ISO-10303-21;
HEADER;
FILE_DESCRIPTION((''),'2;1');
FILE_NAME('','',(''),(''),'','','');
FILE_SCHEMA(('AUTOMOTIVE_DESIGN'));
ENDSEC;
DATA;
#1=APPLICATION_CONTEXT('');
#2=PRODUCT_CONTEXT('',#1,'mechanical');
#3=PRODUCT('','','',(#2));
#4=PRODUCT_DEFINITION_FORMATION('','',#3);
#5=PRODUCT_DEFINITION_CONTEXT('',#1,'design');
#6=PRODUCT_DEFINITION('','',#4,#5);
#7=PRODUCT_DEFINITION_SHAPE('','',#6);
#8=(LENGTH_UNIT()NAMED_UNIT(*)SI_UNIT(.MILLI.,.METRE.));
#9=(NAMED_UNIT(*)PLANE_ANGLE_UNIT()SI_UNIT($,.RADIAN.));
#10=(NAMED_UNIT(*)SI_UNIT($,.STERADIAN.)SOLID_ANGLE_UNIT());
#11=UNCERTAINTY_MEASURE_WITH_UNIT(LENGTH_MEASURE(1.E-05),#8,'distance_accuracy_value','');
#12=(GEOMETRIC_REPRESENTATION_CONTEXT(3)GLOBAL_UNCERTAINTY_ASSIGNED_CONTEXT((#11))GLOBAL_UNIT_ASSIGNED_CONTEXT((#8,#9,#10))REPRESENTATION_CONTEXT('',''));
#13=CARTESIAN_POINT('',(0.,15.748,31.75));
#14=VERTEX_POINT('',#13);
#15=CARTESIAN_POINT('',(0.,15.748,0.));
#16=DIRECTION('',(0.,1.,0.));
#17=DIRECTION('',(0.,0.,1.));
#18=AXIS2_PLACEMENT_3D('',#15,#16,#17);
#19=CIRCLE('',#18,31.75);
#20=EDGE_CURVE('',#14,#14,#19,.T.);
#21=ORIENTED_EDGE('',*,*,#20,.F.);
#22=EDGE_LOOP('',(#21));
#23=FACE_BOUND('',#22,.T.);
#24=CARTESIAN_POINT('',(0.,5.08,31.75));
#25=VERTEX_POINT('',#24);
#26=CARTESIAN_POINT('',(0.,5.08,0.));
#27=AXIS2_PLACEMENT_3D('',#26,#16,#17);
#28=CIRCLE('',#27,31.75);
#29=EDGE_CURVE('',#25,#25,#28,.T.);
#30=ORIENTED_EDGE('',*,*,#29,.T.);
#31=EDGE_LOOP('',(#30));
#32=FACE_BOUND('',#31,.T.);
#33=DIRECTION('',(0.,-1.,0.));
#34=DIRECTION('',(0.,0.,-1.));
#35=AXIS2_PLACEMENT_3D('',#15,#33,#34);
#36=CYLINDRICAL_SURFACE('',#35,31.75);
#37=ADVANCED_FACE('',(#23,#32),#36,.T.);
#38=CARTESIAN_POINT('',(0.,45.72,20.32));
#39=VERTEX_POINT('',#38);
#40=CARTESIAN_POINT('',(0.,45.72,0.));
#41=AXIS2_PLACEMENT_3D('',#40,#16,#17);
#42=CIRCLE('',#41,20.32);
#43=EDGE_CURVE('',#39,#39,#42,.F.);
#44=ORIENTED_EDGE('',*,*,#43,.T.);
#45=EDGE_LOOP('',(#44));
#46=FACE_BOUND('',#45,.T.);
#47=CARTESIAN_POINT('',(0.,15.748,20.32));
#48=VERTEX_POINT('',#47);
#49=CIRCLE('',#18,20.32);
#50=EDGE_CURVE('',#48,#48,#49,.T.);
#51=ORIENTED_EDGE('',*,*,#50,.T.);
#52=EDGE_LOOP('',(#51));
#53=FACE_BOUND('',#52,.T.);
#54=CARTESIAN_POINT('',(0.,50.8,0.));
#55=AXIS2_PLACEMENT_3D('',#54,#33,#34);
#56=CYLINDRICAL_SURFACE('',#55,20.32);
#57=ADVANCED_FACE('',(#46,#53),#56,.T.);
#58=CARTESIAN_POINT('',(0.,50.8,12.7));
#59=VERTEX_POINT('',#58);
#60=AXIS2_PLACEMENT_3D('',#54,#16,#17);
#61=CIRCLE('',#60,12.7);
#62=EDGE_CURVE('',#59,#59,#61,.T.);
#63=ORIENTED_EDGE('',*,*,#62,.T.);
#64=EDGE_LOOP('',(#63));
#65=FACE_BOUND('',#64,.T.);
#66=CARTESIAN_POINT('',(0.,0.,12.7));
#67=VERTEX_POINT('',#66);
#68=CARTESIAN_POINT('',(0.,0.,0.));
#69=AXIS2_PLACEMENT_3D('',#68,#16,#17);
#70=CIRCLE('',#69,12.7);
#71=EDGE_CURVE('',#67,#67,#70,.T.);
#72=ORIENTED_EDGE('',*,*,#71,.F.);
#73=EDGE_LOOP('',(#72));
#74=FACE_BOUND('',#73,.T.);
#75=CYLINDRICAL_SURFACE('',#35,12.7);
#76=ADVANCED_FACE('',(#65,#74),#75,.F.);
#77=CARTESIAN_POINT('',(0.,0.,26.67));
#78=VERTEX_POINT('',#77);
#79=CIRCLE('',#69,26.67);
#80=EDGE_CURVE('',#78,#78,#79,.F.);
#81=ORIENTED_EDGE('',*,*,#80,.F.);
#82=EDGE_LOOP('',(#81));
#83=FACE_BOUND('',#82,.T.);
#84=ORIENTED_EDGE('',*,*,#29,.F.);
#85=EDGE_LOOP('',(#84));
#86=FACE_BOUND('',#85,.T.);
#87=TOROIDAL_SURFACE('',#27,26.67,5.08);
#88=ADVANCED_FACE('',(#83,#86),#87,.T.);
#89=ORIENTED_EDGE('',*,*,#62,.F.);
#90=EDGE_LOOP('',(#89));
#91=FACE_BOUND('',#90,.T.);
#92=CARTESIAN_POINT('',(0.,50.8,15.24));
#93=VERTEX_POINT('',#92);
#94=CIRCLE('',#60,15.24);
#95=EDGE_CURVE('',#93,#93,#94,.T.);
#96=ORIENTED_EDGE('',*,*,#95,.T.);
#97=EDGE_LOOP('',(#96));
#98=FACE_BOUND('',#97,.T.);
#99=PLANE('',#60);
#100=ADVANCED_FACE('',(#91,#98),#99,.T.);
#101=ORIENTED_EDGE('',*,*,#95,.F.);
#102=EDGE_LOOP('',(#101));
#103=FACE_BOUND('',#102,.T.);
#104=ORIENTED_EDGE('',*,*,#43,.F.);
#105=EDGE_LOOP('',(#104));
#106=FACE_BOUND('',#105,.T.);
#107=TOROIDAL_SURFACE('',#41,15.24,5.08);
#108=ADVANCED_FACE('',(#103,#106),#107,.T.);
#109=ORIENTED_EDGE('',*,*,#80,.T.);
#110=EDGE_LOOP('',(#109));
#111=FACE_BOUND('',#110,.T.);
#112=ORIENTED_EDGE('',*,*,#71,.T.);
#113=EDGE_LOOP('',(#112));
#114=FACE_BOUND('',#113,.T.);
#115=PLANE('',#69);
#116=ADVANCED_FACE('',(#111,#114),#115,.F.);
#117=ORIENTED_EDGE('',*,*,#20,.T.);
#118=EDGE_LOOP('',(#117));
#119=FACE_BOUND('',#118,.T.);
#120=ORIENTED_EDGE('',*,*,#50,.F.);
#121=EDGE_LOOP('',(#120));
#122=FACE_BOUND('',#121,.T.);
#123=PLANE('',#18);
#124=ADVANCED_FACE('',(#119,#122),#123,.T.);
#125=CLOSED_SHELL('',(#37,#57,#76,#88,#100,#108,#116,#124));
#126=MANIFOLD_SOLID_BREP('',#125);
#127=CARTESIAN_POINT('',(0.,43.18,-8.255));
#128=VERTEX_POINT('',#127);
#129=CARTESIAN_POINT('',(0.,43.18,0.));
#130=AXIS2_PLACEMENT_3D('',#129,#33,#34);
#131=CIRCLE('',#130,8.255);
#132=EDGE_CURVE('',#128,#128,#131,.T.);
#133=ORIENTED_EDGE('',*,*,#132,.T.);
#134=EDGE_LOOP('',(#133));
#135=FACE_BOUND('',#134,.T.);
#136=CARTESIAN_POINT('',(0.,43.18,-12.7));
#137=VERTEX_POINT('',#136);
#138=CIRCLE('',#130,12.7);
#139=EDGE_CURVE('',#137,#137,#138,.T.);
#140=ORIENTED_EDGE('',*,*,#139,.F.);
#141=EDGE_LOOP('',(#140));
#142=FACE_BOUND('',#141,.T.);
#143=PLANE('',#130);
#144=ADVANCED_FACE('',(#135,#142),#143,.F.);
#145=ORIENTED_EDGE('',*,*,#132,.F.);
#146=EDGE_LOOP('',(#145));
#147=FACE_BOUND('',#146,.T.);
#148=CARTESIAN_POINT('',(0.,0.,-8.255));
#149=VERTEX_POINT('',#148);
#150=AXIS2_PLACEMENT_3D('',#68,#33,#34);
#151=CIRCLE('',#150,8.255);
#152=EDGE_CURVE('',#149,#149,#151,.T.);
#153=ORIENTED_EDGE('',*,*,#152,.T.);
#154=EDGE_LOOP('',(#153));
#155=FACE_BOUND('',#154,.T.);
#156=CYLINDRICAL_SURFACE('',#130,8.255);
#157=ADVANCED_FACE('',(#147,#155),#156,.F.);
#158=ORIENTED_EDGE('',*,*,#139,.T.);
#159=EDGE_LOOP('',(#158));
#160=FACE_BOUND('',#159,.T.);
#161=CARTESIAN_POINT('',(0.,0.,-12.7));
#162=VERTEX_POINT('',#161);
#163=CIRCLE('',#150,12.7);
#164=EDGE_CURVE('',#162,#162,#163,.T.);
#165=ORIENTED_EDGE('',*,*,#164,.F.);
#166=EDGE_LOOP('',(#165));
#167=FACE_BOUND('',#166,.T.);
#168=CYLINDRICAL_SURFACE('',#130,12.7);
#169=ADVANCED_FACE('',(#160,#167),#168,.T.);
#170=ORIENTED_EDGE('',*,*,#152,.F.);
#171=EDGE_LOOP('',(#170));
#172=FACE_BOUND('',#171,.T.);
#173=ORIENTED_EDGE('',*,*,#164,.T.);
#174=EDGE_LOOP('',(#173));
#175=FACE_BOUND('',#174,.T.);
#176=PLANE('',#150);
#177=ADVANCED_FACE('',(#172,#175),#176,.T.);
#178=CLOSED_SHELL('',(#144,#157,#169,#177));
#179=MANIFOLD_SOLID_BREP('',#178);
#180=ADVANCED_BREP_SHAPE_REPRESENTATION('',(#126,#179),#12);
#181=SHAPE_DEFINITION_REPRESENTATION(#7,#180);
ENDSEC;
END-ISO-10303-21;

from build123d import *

# Parameters (mm, degrees)
SKETCH1_R           = 31.75
SKETCH1_R_2         = 12.7
BOSS_EXTRUDE1_DEPTH = 15.748
SKETCH2_R           = 20.32
SKETCH2_R_2         = 12.7
BOSS_EXTRUDE2_DEPTH = 35.052
SKETCH3_R           = 12.7
SKETCH3_R_2         = 8.255
BOSS_EXTRUDE3_DEPTH = 43.18
FILLET1_R           = 5.08
FILLET2_R           = 5.08


with BuildPart() as part:
    # Sketch1 → Boss-Extrude1 (new body)
    with BuildSketch(Plane(origin=(0, 0, 0), x_dir=(1, 0, 0), z_dir=(0, 1, 0))):
        Circle(SKETCH1_R)
        Circle(SKETCH1_R_2, mode=Mode.SUBTRACT)
    extrude(amount=BOSS_EXTRUDE1_DEPTH)

    # Sketch2 → Boss-Extrude2 (add)
    with BuildSketch(Plane(origin=(0, 15.748, 0), x_dir=(1, 0, 0), z_dir=(0, 1, 0))):
        Circle(SKETCH2_R)
        Circle(SKETCH2_R_2, mode=Mode.SUBTRACT)
    extrude(amount=BOSS_EXTRUDE2_DEPTH)

    # Fillet1
    fillet1_edges = [part.edges().sort_by_distance(p)[0] for p in [
        (-31.75, 0, 0),
    ]]
    fillet(fillet1_edges, radius=FILLET1_R)

    # Fillet2
    fillet2_edges = [part.edges().sort_by_distance(p)[0] for p in [
        (-20.32, 50.8, 0),
    ]]
    fillet(fillet2_edges, radius=FILLET2_R)


with BuildPart() as body_2:
    # Sketch3 → Boss-Extrude3 (new body)
    with BuildSketch(Plane.XZ):
        Circle(SKETCH3_R)
        Circle(SKETCH3_R_2, mode=Mode.SUBTRACT)
    extrude(amount=-BOSS_EXTRUDE3_DEPTH)


solid = Compound([part.part, body_2.part])
